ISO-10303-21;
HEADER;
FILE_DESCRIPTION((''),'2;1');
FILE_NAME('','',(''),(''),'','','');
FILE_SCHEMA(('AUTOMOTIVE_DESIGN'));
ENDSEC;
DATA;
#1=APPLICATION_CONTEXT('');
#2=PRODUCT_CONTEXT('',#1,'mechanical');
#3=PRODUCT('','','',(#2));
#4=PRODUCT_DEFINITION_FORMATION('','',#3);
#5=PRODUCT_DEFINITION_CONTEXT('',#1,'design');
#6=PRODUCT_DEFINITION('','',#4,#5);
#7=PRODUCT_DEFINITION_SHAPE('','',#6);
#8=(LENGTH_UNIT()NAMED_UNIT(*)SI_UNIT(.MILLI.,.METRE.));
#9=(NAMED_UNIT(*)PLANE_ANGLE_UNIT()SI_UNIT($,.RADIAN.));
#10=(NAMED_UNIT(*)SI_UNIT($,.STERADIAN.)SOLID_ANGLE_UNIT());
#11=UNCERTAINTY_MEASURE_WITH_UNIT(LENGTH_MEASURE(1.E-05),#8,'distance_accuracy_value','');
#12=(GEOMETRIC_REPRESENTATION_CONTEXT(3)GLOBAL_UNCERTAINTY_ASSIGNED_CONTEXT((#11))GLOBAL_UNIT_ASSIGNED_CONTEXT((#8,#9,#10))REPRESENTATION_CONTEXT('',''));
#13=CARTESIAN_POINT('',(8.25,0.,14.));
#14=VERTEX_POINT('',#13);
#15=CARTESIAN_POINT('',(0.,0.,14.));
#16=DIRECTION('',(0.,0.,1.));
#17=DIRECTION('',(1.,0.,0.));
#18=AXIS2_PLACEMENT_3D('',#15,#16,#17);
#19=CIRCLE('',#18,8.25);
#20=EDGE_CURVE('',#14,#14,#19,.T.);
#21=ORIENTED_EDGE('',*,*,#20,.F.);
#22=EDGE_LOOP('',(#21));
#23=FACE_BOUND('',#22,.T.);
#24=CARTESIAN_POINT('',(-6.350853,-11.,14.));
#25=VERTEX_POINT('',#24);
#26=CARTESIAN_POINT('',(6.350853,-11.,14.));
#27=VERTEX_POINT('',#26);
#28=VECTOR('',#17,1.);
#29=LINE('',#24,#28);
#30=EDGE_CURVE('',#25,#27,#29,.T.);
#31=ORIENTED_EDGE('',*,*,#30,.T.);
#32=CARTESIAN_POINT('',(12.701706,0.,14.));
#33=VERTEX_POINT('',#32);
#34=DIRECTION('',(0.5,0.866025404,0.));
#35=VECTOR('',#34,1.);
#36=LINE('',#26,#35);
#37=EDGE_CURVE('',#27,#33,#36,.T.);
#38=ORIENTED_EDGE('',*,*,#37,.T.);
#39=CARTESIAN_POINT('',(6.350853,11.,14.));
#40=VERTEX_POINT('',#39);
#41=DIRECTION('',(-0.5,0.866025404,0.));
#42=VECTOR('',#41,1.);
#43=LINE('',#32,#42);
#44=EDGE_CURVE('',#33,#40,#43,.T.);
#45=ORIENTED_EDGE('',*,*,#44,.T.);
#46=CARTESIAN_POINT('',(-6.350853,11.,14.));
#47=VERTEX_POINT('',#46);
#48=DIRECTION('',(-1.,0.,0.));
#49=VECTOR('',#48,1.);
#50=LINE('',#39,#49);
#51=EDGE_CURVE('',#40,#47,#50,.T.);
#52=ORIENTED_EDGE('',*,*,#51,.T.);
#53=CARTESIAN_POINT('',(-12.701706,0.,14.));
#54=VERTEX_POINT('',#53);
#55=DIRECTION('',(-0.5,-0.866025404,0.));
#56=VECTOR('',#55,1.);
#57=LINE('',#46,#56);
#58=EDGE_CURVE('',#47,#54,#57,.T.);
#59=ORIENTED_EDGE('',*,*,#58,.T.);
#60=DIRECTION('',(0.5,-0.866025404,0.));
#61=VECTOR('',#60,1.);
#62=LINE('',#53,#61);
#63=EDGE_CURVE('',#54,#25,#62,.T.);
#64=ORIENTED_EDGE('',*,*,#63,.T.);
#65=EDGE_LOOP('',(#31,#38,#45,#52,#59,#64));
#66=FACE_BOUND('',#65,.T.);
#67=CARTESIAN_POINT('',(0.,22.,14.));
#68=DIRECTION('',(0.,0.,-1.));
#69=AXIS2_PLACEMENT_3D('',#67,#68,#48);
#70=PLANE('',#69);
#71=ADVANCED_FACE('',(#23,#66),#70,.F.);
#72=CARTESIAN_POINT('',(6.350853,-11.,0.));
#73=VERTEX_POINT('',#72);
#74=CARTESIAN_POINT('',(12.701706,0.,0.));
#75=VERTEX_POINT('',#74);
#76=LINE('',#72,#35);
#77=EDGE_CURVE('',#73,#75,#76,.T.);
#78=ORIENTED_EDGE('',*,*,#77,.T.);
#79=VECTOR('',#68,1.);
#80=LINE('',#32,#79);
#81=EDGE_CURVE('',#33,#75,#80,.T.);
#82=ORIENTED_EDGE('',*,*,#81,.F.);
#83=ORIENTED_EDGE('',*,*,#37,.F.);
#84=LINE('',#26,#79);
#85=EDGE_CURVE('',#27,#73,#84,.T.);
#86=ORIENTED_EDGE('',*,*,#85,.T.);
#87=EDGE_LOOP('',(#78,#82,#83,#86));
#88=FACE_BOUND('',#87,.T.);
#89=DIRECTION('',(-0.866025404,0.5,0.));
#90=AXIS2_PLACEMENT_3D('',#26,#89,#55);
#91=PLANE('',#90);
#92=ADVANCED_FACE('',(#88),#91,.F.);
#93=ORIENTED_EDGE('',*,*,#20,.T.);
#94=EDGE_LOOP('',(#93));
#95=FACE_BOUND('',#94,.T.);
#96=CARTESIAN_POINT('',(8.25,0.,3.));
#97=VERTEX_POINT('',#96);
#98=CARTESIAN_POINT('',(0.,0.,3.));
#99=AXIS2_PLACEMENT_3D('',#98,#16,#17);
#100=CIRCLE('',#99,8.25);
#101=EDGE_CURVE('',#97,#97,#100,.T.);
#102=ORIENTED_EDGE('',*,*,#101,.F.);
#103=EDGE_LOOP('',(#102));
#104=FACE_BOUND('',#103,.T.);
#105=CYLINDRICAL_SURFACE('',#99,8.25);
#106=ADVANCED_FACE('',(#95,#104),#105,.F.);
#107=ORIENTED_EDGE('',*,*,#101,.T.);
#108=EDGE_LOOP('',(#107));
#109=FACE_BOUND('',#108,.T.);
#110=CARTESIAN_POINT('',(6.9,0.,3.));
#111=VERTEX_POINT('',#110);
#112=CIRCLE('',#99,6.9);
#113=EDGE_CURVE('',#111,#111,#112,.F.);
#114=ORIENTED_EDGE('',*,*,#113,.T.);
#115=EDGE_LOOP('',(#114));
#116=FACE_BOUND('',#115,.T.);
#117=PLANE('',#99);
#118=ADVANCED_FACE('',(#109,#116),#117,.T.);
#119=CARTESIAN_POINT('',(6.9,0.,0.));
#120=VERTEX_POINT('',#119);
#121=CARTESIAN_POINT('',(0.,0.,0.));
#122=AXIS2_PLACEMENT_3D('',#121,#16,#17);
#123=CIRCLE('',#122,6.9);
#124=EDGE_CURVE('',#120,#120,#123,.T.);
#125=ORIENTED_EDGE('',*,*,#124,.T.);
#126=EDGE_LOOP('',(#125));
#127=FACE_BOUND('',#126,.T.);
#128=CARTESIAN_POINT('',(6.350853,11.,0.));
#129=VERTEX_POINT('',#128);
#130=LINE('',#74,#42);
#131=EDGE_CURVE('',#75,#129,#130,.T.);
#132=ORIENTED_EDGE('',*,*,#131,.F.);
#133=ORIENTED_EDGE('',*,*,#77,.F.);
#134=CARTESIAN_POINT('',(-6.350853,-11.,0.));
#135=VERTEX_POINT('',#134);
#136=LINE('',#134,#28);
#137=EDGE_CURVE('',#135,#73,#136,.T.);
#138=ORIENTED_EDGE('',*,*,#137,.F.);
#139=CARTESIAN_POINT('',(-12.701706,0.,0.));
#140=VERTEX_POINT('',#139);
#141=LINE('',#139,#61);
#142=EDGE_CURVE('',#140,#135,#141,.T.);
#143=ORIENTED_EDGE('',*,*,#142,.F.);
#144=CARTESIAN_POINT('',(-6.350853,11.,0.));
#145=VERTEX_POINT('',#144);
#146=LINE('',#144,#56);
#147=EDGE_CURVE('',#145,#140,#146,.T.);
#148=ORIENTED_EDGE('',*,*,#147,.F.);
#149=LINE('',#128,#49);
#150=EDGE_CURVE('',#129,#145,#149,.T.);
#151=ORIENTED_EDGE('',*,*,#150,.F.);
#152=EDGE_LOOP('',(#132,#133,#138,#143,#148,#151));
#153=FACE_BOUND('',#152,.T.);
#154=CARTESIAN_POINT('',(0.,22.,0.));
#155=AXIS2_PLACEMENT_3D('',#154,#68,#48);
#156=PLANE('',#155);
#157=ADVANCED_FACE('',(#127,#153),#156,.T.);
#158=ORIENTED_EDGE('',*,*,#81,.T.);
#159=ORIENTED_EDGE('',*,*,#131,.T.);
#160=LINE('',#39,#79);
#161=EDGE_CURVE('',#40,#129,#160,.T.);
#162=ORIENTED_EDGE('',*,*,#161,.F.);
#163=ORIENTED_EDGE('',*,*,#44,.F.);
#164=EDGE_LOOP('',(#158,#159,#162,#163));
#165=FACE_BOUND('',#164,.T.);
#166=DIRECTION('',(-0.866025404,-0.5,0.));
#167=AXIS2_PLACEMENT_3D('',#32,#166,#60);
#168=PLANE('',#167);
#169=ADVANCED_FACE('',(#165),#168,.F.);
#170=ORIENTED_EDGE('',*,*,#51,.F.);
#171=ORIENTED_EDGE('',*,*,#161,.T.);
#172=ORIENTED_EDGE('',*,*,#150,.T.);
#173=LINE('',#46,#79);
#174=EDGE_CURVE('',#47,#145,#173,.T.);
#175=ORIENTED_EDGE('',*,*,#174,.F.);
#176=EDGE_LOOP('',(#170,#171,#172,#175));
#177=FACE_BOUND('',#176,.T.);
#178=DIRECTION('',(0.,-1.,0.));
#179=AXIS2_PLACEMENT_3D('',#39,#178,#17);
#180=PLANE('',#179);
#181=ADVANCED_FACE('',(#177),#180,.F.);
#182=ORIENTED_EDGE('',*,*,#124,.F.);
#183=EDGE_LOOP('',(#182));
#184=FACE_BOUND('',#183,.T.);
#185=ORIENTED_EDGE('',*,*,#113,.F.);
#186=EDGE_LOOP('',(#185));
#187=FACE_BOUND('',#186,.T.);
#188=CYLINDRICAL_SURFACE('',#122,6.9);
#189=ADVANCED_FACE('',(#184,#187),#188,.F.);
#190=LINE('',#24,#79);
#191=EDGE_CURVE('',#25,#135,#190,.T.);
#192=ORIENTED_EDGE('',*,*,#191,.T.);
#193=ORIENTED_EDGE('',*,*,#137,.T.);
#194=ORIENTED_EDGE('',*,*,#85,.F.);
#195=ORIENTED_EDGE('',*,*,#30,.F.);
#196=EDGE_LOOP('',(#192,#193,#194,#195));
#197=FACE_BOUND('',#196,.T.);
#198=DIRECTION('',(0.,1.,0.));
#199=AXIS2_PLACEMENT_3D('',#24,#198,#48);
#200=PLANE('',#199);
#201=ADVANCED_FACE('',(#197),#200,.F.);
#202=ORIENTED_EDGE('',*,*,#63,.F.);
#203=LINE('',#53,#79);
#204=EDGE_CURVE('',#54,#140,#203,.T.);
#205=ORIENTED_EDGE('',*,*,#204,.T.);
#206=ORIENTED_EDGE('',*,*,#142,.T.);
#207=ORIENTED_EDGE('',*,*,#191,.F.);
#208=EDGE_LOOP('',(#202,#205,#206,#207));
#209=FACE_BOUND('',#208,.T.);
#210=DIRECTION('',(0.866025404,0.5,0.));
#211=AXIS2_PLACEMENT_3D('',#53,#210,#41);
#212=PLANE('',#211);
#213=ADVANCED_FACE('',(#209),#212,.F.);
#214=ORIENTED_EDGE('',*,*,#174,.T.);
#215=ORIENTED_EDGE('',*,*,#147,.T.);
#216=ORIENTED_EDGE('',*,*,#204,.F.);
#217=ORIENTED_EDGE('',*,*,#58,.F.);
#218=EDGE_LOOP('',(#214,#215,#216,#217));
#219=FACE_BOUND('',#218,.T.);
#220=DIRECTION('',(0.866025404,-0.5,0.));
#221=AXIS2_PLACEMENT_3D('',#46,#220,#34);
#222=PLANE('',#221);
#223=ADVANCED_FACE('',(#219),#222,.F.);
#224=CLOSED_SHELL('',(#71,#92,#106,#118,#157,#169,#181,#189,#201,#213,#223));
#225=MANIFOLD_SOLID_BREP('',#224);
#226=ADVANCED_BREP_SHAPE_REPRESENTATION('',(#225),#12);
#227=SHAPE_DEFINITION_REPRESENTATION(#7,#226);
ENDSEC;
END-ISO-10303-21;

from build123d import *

# Parameters (mm, degrees)
LINEAR_AUSTRAGEN1_DEPTH         = 14
SKIZZE2_R                       = 6.9
SCHNITT_LINEAR_AUSTRAGEN1_DEPTH = 22.870832936
SKIZZE3_R                       = 8.25
SCHNITT_LINEAR_AUSTRAGEN2_DEPTH = 11


with BuildPart() as part:
    # Skizze1 → Linear austragen1 (new body)
    with BuildSketch(Plane.XY):
        Polygon((-12.701705922, 0), (-6.350852961, -11), (6.350852961, -11), (12.701705922, 0), (6.350852961, 11), (-6.350852961, 11), align=None)
    extrude(amount=LINEAR_AUSTRAGEN1_DEPTH)

    # Skizze2 → Schnitt-Linear austragen1 (cut, through all)
    with BuildSketch(Plane.XY.offset(14)):
        Circle(SKIZZE2_R)
    extrude(amount=-SCHNITT_LINEAR_AUSTRAGEN1_DEPTH, mode=Mode.SUBTRACT)

    # Skizze3 → Schnitt-Linear austragen2 (cut)
    with BuildSketch(Plane.XY.offset(14)):
        Circle(SKIZZE3_R)
    extrude(amount=-SCHNITT_LINEAR_AUSTRAGEN2_DEPTH, mode=Mode.SUBTRACT)


solid = part.part
